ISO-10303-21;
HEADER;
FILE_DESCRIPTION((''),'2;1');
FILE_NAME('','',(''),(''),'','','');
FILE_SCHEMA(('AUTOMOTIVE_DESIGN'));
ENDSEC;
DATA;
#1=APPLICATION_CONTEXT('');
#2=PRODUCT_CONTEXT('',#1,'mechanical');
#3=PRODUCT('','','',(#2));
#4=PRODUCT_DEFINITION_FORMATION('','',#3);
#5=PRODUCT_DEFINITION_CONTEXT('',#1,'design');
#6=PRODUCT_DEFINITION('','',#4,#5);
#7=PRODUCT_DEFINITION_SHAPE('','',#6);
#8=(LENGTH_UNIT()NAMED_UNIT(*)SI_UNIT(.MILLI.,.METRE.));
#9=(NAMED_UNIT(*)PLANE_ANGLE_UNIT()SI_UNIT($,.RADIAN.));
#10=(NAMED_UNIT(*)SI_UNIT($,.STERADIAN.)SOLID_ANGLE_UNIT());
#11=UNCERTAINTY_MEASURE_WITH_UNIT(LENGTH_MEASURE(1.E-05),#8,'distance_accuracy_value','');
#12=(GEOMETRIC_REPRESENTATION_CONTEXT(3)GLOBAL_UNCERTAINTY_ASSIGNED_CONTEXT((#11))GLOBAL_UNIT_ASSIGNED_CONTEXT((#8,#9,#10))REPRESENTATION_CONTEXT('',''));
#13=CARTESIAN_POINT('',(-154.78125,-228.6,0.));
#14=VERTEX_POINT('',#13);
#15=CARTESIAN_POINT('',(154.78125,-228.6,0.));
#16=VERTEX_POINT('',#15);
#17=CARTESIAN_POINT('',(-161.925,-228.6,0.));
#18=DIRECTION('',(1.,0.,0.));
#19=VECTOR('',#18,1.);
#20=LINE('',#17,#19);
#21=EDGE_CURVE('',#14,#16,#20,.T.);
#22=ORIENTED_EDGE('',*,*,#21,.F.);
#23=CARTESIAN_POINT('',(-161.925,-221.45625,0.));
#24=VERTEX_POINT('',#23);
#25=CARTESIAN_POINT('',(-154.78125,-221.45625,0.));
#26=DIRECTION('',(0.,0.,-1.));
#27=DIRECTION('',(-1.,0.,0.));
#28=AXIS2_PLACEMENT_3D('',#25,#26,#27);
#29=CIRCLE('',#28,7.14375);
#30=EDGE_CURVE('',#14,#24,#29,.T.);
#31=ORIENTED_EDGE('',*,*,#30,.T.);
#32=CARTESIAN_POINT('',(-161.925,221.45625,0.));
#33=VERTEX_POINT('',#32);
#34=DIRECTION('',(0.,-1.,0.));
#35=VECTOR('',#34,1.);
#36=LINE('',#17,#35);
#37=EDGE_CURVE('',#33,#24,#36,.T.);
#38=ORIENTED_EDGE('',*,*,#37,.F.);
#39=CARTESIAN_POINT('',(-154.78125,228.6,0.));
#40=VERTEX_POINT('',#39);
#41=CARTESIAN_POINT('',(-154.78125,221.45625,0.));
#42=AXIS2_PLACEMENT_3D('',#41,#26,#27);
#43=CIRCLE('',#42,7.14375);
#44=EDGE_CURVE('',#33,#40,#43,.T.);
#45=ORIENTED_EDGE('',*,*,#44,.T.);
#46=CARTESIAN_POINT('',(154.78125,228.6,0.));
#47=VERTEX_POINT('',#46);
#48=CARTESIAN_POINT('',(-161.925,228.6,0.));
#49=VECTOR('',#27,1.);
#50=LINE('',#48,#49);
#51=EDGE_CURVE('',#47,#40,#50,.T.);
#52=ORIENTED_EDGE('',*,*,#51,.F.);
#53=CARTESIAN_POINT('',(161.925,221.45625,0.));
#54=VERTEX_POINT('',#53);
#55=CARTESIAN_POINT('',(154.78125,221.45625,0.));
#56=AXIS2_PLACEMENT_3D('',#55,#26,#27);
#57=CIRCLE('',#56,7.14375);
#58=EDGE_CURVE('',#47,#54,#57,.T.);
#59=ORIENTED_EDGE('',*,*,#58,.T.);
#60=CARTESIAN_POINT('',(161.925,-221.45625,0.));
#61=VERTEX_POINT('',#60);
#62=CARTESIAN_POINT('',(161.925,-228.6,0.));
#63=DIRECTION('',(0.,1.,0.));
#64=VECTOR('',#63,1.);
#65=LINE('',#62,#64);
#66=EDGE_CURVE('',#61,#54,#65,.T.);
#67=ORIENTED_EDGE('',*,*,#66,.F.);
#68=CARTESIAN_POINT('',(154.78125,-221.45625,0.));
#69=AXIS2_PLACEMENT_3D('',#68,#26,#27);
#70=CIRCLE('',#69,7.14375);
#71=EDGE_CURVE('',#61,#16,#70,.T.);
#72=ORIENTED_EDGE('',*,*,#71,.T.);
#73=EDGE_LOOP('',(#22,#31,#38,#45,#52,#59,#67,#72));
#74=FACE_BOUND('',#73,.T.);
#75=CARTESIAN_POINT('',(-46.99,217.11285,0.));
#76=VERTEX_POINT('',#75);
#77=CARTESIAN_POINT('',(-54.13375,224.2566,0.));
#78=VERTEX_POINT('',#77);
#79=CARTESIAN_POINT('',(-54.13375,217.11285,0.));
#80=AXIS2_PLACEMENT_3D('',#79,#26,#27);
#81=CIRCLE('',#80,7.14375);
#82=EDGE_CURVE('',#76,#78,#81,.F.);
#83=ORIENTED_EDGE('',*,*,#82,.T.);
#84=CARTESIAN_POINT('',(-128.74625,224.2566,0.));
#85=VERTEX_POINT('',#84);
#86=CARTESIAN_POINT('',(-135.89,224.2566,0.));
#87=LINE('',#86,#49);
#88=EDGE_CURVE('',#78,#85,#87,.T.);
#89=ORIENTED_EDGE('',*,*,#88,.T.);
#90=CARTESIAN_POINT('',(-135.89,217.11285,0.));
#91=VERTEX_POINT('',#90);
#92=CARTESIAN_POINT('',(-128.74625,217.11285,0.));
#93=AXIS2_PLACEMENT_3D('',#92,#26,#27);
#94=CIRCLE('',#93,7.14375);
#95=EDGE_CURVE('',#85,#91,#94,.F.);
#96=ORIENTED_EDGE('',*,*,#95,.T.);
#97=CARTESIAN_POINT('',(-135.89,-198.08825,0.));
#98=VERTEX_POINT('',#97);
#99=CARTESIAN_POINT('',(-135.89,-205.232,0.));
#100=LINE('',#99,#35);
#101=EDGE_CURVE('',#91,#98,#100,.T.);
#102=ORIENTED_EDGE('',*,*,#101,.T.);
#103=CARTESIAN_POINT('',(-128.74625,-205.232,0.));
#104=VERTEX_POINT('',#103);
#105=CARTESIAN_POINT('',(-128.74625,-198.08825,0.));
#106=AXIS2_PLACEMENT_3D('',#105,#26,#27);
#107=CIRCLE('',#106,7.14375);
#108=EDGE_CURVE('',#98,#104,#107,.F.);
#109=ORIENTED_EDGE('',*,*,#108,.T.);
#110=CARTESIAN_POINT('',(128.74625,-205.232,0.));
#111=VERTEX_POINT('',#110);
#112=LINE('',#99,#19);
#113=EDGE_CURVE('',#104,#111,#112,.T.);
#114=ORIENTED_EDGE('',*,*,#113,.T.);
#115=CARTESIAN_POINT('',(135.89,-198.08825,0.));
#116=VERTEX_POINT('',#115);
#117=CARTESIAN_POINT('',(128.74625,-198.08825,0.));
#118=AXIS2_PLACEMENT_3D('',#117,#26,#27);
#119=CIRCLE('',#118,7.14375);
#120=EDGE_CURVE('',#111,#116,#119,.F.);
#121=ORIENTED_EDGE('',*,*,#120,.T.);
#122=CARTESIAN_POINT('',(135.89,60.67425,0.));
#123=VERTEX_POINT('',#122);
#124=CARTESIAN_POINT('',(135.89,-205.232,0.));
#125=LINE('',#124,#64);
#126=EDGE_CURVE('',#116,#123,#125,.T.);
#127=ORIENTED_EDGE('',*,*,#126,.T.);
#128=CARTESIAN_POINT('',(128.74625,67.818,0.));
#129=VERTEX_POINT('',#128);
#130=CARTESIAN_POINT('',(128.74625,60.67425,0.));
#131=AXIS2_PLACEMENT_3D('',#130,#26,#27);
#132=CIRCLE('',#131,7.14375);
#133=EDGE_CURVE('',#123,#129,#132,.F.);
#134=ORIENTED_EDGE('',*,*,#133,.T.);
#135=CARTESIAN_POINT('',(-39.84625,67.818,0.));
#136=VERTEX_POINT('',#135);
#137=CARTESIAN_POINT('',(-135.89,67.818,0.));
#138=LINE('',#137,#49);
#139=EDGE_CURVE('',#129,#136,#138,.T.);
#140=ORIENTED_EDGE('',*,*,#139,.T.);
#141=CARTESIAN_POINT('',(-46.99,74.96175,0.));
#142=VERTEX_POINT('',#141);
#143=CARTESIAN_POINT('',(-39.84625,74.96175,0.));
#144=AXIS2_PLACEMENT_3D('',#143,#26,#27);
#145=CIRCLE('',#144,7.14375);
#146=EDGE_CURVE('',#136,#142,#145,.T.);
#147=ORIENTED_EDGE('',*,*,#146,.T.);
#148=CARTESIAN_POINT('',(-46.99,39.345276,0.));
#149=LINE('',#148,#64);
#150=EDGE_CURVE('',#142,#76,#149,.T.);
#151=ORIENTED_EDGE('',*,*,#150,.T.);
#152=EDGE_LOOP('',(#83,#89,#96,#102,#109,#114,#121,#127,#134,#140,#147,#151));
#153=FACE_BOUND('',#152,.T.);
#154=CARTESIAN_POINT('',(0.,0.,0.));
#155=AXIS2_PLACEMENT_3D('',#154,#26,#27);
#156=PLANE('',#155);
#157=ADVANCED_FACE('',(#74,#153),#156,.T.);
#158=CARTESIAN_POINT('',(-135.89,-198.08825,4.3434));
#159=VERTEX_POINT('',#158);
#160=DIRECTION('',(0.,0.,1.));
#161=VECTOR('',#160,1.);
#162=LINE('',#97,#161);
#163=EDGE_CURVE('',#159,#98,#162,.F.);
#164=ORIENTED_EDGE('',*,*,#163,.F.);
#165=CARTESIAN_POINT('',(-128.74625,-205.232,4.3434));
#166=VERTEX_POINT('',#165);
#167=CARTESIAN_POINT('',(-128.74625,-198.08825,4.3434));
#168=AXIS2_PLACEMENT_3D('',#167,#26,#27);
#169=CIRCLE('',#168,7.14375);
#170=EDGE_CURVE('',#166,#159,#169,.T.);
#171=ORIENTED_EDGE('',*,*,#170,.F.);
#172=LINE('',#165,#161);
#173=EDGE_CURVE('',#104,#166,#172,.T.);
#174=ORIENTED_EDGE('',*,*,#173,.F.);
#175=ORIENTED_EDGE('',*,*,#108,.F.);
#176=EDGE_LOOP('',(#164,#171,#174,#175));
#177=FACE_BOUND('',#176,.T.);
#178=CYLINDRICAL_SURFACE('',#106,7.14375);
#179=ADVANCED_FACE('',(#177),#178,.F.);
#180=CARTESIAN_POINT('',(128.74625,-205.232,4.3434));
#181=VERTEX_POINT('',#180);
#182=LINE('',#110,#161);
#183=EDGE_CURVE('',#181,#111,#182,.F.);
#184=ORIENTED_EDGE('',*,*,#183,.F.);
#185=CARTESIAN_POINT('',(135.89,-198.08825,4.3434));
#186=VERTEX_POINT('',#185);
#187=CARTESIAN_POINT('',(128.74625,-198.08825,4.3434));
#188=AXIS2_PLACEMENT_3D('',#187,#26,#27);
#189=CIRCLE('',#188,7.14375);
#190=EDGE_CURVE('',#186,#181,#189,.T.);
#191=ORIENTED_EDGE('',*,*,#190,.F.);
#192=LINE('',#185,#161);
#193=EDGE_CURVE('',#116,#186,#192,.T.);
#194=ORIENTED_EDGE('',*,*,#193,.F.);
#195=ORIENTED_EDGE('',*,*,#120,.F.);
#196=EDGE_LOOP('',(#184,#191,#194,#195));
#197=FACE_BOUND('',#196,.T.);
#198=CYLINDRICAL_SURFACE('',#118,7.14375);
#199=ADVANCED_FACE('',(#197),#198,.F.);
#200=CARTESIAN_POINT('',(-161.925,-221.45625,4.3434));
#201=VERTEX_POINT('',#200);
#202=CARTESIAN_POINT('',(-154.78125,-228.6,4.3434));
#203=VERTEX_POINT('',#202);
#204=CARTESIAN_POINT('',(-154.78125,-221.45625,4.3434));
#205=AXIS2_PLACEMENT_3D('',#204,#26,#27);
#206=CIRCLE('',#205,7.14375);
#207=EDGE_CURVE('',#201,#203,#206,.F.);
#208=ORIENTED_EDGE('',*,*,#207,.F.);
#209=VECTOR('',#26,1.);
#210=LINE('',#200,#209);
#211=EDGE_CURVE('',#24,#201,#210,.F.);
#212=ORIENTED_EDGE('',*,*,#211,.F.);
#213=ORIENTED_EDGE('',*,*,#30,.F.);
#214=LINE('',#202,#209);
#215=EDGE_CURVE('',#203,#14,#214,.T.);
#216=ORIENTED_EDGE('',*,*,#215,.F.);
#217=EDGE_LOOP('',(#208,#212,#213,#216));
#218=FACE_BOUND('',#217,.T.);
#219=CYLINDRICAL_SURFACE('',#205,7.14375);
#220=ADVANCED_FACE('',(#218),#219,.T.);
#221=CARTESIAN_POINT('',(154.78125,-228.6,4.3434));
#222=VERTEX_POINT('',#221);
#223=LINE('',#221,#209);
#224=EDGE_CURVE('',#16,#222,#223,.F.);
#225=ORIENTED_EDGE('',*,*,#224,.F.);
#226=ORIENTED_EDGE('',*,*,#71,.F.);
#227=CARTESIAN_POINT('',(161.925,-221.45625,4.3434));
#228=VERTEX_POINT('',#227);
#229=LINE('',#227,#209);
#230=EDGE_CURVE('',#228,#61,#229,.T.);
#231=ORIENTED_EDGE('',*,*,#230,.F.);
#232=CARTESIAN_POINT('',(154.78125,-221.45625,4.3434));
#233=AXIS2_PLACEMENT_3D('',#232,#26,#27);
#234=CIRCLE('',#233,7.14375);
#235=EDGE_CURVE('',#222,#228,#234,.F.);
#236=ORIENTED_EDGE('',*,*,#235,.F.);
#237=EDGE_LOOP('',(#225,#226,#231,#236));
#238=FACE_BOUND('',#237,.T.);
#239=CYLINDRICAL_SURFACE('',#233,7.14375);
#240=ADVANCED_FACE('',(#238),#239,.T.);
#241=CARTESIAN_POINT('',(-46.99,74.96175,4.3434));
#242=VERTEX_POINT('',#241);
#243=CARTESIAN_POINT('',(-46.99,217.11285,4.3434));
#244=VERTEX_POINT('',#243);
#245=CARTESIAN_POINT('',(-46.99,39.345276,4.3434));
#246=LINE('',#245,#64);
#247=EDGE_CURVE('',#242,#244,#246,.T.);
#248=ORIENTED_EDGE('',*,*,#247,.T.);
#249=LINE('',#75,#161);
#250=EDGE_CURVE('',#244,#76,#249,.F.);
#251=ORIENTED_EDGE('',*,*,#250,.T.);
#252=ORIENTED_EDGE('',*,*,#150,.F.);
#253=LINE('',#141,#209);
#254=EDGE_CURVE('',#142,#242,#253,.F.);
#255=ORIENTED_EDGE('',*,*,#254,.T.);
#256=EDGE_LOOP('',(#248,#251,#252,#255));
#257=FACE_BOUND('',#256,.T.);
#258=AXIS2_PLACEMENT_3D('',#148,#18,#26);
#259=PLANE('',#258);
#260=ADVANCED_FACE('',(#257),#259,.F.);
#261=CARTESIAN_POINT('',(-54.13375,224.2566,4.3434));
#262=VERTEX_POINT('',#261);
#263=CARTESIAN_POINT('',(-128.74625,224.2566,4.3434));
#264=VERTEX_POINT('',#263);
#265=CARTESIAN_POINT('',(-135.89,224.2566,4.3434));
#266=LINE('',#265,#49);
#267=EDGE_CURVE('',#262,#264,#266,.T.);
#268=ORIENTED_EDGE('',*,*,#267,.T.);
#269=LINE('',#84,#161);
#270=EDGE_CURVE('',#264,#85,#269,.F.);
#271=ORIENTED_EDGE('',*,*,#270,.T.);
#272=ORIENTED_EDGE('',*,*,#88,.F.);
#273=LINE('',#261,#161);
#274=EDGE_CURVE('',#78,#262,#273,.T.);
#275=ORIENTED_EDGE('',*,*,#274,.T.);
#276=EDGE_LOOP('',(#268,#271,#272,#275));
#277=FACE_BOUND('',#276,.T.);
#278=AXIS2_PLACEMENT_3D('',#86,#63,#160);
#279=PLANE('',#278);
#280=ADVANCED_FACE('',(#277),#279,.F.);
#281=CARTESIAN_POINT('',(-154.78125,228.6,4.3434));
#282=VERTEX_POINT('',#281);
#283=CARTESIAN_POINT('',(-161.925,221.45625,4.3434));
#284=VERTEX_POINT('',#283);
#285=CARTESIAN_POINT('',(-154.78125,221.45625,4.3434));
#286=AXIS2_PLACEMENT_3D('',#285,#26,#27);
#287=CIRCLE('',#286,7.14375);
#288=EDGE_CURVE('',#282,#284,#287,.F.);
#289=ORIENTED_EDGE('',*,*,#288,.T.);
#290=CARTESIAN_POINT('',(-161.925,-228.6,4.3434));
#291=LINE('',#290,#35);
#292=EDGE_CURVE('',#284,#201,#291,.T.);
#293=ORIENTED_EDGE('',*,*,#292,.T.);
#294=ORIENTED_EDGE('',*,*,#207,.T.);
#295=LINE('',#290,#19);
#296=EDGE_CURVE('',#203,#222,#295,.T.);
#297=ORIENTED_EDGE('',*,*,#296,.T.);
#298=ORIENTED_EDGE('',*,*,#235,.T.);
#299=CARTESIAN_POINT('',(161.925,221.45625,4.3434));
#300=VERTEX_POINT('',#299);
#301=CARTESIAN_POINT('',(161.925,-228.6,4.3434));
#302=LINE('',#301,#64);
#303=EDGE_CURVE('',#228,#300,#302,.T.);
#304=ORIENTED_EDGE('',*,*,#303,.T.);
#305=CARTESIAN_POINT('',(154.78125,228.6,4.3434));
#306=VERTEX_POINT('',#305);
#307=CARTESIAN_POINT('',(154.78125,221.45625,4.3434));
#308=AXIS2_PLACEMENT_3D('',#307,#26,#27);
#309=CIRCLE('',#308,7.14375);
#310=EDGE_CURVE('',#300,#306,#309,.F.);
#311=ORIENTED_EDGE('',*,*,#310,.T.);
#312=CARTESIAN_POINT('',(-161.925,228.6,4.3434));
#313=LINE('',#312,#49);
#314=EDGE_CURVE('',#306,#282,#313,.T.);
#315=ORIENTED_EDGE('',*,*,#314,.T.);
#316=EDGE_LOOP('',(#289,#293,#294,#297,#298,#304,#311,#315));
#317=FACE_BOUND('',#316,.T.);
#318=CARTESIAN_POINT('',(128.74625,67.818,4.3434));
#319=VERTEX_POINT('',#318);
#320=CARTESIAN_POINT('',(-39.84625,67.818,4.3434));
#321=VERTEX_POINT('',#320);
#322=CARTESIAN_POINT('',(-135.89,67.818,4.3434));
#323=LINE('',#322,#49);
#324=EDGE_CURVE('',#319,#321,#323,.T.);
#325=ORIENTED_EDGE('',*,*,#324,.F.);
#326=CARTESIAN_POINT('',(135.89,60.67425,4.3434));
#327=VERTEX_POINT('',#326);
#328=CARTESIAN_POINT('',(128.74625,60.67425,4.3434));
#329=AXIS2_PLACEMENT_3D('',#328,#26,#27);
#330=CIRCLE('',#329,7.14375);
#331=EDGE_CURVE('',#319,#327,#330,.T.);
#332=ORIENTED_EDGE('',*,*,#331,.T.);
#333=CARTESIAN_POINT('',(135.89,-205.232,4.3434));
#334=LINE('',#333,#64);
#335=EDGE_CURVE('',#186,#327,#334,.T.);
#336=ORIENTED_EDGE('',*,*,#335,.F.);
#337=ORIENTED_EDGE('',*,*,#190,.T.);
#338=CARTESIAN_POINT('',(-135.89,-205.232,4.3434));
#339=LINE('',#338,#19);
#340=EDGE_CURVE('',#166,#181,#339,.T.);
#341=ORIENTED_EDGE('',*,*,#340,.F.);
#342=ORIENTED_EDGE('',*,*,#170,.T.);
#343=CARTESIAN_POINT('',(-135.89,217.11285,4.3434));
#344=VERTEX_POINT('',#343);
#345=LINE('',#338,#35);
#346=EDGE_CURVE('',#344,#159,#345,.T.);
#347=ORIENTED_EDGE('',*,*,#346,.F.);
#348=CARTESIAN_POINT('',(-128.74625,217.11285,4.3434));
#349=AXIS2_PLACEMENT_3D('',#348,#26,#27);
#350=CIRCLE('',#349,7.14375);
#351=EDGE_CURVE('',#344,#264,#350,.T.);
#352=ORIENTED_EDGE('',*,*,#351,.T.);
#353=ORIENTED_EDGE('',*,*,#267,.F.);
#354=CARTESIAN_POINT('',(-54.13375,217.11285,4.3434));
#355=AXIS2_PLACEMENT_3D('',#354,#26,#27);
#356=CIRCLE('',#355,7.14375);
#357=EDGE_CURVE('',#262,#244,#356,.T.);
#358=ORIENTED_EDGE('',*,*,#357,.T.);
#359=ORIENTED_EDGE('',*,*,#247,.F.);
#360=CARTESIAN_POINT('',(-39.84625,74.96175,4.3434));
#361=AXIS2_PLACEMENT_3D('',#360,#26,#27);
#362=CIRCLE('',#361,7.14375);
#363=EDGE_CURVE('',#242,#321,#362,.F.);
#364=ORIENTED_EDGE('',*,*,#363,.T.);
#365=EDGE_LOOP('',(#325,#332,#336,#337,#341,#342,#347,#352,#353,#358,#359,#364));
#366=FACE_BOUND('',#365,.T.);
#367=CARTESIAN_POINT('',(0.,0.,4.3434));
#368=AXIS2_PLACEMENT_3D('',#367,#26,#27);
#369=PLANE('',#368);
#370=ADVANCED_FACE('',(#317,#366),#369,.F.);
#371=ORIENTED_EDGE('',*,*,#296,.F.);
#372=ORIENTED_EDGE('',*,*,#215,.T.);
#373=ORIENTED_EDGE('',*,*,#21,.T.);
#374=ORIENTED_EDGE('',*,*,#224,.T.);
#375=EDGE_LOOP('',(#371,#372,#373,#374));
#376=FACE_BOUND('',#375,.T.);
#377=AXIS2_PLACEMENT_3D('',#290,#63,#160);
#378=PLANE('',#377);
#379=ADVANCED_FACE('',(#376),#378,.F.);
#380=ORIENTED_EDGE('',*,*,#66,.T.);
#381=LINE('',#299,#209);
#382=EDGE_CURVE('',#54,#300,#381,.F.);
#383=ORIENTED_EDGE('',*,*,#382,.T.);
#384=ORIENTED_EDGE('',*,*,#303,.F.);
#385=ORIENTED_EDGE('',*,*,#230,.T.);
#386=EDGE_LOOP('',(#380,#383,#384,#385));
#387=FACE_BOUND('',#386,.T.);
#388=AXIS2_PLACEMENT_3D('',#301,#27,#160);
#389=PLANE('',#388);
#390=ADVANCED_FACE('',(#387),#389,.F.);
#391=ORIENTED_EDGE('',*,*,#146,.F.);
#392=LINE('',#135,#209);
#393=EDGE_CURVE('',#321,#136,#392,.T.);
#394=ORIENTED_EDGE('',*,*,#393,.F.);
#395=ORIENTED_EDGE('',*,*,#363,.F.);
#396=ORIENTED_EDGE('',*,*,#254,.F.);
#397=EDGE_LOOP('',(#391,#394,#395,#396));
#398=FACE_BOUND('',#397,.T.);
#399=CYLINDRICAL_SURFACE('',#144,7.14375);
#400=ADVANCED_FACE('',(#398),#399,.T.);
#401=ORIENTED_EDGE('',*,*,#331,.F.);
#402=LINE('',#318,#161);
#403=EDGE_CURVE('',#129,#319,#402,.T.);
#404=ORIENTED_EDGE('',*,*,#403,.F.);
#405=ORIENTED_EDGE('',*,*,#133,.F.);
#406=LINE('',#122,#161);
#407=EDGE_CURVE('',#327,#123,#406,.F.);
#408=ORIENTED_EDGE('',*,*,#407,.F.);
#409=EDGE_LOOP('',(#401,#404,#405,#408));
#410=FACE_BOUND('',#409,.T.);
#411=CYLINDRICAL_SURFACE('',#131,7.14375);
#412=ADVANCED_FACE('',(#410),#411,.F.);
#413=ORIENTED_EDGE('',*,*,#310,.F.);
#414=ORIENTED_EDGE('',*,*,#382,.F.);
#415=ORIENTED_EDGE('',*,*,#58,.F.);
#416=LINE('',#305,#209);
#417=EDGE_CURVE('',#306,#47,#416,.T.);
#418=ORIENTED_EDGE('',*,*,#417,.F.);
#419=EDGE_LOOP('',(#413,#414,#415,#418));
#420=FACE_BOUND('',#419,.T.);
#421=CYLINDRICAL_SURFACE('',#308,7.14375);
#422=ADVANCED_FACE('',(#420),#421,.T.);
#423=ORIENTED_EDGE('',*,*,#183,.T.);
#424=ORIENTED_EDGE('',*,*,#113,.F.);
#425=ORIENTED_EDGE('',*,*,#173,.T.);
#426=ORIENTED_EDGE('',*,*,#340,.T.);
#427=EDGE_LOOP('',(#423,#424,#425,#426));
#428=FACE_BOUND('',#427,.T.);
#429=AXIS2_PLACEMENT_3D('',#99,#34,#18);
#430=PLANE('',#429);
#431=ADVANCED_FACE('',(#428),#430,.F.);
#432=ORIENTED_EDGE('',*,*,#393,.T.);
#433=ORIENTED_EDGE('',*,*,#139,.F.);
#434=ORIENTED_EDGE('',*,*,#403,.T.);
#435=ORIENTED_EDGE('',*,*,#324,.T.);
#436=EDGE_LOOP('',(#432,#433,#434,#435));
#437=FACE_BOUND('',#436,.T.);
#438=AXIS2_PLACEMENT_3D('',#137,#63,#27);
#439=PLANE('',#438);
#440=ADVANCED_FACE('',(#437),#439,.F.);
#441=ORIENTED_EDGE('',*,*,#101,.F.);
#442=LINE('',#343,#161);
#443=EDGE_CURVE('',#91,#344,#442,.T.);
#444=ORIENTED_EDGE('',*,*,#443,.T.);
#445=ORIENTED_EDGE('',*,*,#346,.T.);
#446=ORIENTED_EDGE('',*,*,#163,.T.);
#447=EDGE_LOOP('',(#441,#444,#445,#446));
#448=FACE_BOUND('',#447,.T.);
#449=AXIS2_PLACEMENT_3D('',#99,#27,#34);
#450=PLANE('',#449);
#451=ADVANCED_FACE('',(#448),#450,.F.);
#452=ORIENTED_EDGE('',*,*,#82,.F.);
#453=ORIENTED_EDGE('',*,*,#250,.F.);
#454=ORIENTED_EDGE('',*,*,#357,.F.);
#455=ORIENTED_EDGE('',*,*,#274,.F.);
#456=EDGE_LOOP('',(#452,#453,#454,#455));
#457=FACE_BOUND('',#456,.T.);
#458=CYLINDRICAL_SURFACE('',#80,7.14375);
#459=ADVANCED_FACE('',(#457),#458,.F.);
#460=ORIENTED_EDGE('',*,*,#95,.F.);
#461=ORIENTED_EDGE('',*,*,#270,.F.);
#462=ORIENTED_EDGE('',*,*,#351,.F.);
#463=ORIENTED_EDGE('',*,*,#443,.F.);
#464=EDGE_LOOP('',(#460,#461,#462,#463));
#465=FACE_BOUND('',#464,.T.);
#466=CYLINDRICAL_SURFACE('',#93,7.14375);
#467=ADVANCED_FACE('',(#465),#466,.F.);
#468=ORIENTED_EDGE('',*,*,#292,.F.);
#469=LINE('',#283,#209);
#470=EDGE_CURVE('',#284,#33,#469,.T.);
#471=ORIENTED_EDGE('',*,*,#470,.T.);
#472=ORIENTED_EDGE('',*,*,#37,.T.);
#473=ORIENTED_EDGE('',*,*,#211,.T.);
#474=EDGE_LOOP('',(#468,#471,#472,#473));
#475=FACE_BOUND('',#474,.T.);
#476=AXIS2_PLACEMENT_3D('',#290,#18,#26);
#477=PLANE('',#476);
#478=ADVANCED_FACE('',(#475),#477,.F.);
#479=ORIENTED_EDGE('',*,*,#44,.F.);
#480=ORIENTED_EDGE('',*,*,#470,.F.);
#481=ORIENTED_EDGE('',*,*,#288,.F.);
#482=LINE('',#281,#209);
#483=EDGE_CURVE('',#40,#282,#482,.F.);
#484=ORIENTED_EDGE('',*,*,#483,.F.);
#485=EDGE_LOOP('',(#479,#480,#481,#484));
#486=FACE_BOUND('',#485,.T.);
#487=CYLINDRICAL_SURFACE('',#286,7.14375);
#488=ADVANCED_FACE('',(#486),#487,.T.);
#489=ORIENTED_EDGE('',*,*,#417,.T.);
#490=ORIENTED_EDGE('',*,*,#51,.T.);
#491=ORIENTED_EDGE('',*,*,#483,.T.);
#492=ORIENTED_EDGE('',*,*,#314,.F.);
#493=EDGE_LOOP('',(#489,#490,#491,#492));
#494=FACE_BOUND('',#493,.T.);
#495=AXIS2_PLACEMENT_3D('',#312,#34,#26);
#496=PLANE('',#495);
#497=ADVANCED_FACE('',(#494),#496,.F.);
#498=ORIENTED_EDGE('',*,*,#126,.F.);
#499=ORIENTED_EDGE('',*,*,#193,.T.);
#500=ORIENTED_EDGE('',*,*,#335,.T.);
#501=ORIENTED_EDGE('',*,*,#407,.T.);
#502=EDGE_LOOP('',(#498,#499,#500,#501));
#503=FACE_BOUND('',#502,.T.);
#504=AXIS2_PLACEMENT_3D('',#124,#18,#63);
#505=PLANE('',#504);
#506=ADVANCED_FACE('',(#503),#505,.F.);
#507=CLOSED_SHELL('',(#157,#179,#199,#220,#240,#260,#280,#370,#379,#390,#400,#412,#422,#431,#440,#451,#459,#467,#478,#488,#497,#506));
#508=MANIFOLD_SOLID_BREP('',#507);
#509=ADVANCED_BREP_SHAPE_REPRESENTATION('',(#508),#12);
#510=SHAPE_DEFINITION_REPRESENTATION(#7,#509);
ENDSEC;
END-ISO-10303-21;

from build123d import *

# Parameters (mm, degrees)
SKETCH1_W           = 323.85
SKETCH1_H           = 457.2
BOSS_EXTRUDE1_DEPTH = 4.3434
SKETCH2_W           = 271.78
SKETCH2_H           = 273.05
CUT_EXTRUDE1_DEPTH  = 5.3434
FILLET1_R           = 7.14375
SKETCH4_W           = 88.9
SKETCH4_H           = 184.911324328
CUT_EXTRUDE3_DEPTH  = 5.3434
FILLET2_R           = 7.14375


with BuildPart() as part:
    # Sketch1 → Boss-Extrude1 (new body)
    with BuildSketch(Plane.XY):
        Rectangle(SKETCH1_W, SKETCH1_H)
    extrude(amount=BOSS_EXTRUDE1_DEPTH)

    # Sketch2 → Cut-Extrude1 (cut, through all)
    with BuildSketch(Plane.XY.offset(4.3434)):
        with Locations((0, -68.707)):
            Rectangle(SKETCH2_W, SKETCH2_H)
    extrude(amount=-CUT_EXTRUDE1_DEPTH, mode=Mode.SUBTRACT)

    # Fillet1
    fillet1_edges = [part.edges().sort_by_distance(p)[0] for p in [
        (135.89, 67.818, 2.1717),
        (135.89, -205.232, 2.1717),
        (-135.89, -205.232, 2.1717),
        (-135.89, 67.818, 2.1717),
        (161.925, -228.6, 2.1717),
        (-161.925, -228.6, 2.1717),
        (-161.925, 228.6, 2.1717),
        (161.925, 228.6, 2.1717),
    ]]
    fillet(fillet1_edges, radius=FILLET1_R)

    # Sketch4 → Cut-Extrude3 (cut, through all)
    with BuildSketch(Plane.XY.offset(4.3434)):
        with Locations((-91.44, 131.800937836)):
            Rectangle(SKETCH4_W, SKETCH4_H)
    extrude(amount=-CUT_EXTRUDE3_DEPTH, mode=Mode.SUBTRACT)

    # Fillet2
    fillet2_edges = [part.edges().sort_by_distance(p)[0] for p in [
        (-46.99, 67.818, 2.1717),
        (-46.99, 224.2566, 2.1717),
        (-135.89, 224.2566, 2.1717),
    ]]
    fillet(fillet2_edges, radius=FILLET2_R)


solid = part.part
